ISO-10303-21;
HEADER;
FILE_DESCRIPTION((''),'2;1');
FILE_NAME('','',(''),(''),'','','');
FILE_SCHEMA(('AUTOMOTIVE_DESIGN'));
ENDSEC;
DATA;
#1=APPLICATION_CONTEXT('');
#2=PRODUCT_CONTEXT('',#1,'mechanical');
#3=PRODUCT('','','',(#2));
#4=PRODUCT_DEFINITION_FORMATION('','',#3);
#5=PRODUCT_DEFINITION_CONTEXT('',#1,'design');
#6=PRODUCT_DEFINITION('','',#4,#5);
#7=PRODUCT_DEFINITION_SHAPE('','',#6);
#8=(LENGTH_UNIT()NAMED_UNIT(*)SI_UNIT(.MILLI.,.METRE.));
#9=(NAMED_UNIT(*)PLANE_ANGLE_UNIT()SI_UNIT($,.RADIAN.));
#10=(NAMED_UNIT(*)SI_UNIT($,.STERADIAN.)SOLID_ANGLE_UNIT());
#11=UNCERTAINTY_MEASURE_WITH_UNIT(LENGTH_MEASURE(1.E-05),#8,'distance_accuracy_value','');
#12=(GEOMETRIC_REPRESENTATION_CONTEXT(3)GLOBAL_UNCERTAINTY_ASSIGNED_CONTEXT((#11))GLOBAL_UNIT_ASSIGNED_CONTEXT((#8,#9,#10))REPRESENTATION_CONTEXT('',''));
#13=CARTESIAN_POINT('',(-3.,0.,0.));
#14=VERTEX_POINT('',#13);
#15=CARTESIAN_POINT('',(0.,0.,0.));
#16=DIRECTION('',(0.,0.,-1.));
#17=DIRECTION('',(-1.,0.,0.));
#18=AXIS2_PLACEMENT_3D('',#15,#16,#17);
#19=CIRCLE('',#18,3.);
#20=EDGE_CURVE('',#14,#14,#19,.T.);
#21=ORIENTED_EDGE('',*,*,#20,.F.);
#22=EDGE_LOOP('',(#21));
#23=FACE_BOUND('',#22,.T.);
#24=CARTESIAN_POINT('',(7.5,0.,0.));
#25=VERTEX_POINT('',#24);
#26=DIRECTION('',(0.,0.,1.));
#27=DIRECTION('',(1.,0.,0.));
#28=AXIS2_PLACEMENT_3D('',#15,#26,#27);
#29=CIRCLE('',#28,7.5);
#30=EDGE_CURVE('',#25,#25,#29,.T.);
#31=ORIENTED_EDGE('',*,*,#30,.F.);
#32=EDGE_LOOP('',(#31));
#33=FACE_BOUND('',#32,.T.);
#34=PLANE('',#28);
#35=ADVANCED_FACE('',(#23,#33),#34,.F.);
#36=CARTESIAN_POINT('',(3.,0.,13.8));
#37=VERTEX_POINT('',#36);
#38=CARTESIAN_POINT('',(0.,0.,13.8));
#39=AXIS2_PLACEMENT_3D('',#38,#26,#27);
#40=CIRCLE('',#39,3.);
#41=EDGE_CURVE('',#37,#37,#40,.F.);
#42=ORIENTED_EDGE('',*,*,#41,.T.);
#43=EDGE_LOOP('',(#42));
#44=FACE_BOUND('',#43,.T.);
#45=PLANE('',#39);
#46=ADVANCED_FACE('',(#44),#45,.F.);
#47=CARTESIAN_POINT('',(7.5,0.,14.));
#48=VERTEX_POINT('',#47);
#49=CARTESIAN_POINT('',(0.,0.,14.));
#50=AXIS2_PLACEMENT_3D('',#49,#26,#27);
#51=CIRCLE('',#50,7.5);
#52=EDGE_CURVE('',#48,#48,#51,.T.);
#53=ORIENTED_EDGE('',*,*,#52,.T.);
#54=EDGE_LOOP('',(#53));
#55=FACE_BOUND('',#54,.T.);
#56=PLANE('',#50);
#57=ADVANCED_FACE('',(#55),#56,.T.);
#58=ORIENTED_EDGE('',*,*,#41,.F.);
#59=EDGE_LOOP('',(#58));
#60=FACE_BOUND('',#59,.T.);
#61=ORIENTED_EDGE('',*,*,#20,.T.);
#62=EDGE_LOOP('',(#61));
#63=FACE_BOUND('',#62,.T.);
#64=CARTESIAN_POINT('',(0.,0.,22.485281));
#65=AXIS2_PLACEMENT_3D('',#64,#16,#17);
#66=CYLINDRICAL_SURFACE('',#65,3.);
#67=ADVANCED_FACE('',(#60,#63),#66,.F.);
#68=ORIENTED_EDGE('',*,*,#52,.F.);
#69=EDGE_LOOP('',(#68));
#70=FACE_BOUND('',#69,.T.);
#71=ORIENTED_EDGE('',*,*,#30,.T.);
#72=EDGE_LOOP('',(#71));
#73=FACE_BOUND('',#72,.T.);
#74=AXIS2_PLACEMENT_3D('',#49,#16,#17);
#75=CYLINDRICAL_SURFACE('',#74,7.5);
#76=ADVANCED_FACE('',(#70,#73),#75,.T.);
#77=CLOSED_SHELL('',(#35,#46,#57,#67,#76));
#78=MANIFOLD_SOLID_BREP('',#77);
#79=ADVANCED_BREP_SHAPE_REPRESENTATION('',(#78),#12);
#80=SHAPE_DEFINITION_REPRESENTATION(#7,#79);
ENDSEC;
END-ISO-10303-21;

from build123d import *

# Parameters (mm, degrees)
SKETCH2_R           = 7.5
BOSS_EXTRUDE1_DEPTH = 14
SKETCH3_R           = 3
CUT_EXTRUDE1_DEPTH  = 13.8


with BuildPart() as part:
    # Sketch2 → Boss-Extrude1 (new body)
    with BuildSketch(Plane.XY):
        Circle(SKETCH2_R)
    extrude(amount=BOSS_EXTRUDE1_DEPTH)

    # Sketch3 → Cut-Extrude1 (cut)
    with BuildSketch(Plane(origin=(0, 0, 0), x_dir=(-1, 0, 0), z_dir=(0, 0, -1))):
        Circle(SKETCH3_R)
    extrude(amount=-CUT_EXTRUDE1_DEPTH, mode=Mode.SUBTRACT)


solid = part.part
